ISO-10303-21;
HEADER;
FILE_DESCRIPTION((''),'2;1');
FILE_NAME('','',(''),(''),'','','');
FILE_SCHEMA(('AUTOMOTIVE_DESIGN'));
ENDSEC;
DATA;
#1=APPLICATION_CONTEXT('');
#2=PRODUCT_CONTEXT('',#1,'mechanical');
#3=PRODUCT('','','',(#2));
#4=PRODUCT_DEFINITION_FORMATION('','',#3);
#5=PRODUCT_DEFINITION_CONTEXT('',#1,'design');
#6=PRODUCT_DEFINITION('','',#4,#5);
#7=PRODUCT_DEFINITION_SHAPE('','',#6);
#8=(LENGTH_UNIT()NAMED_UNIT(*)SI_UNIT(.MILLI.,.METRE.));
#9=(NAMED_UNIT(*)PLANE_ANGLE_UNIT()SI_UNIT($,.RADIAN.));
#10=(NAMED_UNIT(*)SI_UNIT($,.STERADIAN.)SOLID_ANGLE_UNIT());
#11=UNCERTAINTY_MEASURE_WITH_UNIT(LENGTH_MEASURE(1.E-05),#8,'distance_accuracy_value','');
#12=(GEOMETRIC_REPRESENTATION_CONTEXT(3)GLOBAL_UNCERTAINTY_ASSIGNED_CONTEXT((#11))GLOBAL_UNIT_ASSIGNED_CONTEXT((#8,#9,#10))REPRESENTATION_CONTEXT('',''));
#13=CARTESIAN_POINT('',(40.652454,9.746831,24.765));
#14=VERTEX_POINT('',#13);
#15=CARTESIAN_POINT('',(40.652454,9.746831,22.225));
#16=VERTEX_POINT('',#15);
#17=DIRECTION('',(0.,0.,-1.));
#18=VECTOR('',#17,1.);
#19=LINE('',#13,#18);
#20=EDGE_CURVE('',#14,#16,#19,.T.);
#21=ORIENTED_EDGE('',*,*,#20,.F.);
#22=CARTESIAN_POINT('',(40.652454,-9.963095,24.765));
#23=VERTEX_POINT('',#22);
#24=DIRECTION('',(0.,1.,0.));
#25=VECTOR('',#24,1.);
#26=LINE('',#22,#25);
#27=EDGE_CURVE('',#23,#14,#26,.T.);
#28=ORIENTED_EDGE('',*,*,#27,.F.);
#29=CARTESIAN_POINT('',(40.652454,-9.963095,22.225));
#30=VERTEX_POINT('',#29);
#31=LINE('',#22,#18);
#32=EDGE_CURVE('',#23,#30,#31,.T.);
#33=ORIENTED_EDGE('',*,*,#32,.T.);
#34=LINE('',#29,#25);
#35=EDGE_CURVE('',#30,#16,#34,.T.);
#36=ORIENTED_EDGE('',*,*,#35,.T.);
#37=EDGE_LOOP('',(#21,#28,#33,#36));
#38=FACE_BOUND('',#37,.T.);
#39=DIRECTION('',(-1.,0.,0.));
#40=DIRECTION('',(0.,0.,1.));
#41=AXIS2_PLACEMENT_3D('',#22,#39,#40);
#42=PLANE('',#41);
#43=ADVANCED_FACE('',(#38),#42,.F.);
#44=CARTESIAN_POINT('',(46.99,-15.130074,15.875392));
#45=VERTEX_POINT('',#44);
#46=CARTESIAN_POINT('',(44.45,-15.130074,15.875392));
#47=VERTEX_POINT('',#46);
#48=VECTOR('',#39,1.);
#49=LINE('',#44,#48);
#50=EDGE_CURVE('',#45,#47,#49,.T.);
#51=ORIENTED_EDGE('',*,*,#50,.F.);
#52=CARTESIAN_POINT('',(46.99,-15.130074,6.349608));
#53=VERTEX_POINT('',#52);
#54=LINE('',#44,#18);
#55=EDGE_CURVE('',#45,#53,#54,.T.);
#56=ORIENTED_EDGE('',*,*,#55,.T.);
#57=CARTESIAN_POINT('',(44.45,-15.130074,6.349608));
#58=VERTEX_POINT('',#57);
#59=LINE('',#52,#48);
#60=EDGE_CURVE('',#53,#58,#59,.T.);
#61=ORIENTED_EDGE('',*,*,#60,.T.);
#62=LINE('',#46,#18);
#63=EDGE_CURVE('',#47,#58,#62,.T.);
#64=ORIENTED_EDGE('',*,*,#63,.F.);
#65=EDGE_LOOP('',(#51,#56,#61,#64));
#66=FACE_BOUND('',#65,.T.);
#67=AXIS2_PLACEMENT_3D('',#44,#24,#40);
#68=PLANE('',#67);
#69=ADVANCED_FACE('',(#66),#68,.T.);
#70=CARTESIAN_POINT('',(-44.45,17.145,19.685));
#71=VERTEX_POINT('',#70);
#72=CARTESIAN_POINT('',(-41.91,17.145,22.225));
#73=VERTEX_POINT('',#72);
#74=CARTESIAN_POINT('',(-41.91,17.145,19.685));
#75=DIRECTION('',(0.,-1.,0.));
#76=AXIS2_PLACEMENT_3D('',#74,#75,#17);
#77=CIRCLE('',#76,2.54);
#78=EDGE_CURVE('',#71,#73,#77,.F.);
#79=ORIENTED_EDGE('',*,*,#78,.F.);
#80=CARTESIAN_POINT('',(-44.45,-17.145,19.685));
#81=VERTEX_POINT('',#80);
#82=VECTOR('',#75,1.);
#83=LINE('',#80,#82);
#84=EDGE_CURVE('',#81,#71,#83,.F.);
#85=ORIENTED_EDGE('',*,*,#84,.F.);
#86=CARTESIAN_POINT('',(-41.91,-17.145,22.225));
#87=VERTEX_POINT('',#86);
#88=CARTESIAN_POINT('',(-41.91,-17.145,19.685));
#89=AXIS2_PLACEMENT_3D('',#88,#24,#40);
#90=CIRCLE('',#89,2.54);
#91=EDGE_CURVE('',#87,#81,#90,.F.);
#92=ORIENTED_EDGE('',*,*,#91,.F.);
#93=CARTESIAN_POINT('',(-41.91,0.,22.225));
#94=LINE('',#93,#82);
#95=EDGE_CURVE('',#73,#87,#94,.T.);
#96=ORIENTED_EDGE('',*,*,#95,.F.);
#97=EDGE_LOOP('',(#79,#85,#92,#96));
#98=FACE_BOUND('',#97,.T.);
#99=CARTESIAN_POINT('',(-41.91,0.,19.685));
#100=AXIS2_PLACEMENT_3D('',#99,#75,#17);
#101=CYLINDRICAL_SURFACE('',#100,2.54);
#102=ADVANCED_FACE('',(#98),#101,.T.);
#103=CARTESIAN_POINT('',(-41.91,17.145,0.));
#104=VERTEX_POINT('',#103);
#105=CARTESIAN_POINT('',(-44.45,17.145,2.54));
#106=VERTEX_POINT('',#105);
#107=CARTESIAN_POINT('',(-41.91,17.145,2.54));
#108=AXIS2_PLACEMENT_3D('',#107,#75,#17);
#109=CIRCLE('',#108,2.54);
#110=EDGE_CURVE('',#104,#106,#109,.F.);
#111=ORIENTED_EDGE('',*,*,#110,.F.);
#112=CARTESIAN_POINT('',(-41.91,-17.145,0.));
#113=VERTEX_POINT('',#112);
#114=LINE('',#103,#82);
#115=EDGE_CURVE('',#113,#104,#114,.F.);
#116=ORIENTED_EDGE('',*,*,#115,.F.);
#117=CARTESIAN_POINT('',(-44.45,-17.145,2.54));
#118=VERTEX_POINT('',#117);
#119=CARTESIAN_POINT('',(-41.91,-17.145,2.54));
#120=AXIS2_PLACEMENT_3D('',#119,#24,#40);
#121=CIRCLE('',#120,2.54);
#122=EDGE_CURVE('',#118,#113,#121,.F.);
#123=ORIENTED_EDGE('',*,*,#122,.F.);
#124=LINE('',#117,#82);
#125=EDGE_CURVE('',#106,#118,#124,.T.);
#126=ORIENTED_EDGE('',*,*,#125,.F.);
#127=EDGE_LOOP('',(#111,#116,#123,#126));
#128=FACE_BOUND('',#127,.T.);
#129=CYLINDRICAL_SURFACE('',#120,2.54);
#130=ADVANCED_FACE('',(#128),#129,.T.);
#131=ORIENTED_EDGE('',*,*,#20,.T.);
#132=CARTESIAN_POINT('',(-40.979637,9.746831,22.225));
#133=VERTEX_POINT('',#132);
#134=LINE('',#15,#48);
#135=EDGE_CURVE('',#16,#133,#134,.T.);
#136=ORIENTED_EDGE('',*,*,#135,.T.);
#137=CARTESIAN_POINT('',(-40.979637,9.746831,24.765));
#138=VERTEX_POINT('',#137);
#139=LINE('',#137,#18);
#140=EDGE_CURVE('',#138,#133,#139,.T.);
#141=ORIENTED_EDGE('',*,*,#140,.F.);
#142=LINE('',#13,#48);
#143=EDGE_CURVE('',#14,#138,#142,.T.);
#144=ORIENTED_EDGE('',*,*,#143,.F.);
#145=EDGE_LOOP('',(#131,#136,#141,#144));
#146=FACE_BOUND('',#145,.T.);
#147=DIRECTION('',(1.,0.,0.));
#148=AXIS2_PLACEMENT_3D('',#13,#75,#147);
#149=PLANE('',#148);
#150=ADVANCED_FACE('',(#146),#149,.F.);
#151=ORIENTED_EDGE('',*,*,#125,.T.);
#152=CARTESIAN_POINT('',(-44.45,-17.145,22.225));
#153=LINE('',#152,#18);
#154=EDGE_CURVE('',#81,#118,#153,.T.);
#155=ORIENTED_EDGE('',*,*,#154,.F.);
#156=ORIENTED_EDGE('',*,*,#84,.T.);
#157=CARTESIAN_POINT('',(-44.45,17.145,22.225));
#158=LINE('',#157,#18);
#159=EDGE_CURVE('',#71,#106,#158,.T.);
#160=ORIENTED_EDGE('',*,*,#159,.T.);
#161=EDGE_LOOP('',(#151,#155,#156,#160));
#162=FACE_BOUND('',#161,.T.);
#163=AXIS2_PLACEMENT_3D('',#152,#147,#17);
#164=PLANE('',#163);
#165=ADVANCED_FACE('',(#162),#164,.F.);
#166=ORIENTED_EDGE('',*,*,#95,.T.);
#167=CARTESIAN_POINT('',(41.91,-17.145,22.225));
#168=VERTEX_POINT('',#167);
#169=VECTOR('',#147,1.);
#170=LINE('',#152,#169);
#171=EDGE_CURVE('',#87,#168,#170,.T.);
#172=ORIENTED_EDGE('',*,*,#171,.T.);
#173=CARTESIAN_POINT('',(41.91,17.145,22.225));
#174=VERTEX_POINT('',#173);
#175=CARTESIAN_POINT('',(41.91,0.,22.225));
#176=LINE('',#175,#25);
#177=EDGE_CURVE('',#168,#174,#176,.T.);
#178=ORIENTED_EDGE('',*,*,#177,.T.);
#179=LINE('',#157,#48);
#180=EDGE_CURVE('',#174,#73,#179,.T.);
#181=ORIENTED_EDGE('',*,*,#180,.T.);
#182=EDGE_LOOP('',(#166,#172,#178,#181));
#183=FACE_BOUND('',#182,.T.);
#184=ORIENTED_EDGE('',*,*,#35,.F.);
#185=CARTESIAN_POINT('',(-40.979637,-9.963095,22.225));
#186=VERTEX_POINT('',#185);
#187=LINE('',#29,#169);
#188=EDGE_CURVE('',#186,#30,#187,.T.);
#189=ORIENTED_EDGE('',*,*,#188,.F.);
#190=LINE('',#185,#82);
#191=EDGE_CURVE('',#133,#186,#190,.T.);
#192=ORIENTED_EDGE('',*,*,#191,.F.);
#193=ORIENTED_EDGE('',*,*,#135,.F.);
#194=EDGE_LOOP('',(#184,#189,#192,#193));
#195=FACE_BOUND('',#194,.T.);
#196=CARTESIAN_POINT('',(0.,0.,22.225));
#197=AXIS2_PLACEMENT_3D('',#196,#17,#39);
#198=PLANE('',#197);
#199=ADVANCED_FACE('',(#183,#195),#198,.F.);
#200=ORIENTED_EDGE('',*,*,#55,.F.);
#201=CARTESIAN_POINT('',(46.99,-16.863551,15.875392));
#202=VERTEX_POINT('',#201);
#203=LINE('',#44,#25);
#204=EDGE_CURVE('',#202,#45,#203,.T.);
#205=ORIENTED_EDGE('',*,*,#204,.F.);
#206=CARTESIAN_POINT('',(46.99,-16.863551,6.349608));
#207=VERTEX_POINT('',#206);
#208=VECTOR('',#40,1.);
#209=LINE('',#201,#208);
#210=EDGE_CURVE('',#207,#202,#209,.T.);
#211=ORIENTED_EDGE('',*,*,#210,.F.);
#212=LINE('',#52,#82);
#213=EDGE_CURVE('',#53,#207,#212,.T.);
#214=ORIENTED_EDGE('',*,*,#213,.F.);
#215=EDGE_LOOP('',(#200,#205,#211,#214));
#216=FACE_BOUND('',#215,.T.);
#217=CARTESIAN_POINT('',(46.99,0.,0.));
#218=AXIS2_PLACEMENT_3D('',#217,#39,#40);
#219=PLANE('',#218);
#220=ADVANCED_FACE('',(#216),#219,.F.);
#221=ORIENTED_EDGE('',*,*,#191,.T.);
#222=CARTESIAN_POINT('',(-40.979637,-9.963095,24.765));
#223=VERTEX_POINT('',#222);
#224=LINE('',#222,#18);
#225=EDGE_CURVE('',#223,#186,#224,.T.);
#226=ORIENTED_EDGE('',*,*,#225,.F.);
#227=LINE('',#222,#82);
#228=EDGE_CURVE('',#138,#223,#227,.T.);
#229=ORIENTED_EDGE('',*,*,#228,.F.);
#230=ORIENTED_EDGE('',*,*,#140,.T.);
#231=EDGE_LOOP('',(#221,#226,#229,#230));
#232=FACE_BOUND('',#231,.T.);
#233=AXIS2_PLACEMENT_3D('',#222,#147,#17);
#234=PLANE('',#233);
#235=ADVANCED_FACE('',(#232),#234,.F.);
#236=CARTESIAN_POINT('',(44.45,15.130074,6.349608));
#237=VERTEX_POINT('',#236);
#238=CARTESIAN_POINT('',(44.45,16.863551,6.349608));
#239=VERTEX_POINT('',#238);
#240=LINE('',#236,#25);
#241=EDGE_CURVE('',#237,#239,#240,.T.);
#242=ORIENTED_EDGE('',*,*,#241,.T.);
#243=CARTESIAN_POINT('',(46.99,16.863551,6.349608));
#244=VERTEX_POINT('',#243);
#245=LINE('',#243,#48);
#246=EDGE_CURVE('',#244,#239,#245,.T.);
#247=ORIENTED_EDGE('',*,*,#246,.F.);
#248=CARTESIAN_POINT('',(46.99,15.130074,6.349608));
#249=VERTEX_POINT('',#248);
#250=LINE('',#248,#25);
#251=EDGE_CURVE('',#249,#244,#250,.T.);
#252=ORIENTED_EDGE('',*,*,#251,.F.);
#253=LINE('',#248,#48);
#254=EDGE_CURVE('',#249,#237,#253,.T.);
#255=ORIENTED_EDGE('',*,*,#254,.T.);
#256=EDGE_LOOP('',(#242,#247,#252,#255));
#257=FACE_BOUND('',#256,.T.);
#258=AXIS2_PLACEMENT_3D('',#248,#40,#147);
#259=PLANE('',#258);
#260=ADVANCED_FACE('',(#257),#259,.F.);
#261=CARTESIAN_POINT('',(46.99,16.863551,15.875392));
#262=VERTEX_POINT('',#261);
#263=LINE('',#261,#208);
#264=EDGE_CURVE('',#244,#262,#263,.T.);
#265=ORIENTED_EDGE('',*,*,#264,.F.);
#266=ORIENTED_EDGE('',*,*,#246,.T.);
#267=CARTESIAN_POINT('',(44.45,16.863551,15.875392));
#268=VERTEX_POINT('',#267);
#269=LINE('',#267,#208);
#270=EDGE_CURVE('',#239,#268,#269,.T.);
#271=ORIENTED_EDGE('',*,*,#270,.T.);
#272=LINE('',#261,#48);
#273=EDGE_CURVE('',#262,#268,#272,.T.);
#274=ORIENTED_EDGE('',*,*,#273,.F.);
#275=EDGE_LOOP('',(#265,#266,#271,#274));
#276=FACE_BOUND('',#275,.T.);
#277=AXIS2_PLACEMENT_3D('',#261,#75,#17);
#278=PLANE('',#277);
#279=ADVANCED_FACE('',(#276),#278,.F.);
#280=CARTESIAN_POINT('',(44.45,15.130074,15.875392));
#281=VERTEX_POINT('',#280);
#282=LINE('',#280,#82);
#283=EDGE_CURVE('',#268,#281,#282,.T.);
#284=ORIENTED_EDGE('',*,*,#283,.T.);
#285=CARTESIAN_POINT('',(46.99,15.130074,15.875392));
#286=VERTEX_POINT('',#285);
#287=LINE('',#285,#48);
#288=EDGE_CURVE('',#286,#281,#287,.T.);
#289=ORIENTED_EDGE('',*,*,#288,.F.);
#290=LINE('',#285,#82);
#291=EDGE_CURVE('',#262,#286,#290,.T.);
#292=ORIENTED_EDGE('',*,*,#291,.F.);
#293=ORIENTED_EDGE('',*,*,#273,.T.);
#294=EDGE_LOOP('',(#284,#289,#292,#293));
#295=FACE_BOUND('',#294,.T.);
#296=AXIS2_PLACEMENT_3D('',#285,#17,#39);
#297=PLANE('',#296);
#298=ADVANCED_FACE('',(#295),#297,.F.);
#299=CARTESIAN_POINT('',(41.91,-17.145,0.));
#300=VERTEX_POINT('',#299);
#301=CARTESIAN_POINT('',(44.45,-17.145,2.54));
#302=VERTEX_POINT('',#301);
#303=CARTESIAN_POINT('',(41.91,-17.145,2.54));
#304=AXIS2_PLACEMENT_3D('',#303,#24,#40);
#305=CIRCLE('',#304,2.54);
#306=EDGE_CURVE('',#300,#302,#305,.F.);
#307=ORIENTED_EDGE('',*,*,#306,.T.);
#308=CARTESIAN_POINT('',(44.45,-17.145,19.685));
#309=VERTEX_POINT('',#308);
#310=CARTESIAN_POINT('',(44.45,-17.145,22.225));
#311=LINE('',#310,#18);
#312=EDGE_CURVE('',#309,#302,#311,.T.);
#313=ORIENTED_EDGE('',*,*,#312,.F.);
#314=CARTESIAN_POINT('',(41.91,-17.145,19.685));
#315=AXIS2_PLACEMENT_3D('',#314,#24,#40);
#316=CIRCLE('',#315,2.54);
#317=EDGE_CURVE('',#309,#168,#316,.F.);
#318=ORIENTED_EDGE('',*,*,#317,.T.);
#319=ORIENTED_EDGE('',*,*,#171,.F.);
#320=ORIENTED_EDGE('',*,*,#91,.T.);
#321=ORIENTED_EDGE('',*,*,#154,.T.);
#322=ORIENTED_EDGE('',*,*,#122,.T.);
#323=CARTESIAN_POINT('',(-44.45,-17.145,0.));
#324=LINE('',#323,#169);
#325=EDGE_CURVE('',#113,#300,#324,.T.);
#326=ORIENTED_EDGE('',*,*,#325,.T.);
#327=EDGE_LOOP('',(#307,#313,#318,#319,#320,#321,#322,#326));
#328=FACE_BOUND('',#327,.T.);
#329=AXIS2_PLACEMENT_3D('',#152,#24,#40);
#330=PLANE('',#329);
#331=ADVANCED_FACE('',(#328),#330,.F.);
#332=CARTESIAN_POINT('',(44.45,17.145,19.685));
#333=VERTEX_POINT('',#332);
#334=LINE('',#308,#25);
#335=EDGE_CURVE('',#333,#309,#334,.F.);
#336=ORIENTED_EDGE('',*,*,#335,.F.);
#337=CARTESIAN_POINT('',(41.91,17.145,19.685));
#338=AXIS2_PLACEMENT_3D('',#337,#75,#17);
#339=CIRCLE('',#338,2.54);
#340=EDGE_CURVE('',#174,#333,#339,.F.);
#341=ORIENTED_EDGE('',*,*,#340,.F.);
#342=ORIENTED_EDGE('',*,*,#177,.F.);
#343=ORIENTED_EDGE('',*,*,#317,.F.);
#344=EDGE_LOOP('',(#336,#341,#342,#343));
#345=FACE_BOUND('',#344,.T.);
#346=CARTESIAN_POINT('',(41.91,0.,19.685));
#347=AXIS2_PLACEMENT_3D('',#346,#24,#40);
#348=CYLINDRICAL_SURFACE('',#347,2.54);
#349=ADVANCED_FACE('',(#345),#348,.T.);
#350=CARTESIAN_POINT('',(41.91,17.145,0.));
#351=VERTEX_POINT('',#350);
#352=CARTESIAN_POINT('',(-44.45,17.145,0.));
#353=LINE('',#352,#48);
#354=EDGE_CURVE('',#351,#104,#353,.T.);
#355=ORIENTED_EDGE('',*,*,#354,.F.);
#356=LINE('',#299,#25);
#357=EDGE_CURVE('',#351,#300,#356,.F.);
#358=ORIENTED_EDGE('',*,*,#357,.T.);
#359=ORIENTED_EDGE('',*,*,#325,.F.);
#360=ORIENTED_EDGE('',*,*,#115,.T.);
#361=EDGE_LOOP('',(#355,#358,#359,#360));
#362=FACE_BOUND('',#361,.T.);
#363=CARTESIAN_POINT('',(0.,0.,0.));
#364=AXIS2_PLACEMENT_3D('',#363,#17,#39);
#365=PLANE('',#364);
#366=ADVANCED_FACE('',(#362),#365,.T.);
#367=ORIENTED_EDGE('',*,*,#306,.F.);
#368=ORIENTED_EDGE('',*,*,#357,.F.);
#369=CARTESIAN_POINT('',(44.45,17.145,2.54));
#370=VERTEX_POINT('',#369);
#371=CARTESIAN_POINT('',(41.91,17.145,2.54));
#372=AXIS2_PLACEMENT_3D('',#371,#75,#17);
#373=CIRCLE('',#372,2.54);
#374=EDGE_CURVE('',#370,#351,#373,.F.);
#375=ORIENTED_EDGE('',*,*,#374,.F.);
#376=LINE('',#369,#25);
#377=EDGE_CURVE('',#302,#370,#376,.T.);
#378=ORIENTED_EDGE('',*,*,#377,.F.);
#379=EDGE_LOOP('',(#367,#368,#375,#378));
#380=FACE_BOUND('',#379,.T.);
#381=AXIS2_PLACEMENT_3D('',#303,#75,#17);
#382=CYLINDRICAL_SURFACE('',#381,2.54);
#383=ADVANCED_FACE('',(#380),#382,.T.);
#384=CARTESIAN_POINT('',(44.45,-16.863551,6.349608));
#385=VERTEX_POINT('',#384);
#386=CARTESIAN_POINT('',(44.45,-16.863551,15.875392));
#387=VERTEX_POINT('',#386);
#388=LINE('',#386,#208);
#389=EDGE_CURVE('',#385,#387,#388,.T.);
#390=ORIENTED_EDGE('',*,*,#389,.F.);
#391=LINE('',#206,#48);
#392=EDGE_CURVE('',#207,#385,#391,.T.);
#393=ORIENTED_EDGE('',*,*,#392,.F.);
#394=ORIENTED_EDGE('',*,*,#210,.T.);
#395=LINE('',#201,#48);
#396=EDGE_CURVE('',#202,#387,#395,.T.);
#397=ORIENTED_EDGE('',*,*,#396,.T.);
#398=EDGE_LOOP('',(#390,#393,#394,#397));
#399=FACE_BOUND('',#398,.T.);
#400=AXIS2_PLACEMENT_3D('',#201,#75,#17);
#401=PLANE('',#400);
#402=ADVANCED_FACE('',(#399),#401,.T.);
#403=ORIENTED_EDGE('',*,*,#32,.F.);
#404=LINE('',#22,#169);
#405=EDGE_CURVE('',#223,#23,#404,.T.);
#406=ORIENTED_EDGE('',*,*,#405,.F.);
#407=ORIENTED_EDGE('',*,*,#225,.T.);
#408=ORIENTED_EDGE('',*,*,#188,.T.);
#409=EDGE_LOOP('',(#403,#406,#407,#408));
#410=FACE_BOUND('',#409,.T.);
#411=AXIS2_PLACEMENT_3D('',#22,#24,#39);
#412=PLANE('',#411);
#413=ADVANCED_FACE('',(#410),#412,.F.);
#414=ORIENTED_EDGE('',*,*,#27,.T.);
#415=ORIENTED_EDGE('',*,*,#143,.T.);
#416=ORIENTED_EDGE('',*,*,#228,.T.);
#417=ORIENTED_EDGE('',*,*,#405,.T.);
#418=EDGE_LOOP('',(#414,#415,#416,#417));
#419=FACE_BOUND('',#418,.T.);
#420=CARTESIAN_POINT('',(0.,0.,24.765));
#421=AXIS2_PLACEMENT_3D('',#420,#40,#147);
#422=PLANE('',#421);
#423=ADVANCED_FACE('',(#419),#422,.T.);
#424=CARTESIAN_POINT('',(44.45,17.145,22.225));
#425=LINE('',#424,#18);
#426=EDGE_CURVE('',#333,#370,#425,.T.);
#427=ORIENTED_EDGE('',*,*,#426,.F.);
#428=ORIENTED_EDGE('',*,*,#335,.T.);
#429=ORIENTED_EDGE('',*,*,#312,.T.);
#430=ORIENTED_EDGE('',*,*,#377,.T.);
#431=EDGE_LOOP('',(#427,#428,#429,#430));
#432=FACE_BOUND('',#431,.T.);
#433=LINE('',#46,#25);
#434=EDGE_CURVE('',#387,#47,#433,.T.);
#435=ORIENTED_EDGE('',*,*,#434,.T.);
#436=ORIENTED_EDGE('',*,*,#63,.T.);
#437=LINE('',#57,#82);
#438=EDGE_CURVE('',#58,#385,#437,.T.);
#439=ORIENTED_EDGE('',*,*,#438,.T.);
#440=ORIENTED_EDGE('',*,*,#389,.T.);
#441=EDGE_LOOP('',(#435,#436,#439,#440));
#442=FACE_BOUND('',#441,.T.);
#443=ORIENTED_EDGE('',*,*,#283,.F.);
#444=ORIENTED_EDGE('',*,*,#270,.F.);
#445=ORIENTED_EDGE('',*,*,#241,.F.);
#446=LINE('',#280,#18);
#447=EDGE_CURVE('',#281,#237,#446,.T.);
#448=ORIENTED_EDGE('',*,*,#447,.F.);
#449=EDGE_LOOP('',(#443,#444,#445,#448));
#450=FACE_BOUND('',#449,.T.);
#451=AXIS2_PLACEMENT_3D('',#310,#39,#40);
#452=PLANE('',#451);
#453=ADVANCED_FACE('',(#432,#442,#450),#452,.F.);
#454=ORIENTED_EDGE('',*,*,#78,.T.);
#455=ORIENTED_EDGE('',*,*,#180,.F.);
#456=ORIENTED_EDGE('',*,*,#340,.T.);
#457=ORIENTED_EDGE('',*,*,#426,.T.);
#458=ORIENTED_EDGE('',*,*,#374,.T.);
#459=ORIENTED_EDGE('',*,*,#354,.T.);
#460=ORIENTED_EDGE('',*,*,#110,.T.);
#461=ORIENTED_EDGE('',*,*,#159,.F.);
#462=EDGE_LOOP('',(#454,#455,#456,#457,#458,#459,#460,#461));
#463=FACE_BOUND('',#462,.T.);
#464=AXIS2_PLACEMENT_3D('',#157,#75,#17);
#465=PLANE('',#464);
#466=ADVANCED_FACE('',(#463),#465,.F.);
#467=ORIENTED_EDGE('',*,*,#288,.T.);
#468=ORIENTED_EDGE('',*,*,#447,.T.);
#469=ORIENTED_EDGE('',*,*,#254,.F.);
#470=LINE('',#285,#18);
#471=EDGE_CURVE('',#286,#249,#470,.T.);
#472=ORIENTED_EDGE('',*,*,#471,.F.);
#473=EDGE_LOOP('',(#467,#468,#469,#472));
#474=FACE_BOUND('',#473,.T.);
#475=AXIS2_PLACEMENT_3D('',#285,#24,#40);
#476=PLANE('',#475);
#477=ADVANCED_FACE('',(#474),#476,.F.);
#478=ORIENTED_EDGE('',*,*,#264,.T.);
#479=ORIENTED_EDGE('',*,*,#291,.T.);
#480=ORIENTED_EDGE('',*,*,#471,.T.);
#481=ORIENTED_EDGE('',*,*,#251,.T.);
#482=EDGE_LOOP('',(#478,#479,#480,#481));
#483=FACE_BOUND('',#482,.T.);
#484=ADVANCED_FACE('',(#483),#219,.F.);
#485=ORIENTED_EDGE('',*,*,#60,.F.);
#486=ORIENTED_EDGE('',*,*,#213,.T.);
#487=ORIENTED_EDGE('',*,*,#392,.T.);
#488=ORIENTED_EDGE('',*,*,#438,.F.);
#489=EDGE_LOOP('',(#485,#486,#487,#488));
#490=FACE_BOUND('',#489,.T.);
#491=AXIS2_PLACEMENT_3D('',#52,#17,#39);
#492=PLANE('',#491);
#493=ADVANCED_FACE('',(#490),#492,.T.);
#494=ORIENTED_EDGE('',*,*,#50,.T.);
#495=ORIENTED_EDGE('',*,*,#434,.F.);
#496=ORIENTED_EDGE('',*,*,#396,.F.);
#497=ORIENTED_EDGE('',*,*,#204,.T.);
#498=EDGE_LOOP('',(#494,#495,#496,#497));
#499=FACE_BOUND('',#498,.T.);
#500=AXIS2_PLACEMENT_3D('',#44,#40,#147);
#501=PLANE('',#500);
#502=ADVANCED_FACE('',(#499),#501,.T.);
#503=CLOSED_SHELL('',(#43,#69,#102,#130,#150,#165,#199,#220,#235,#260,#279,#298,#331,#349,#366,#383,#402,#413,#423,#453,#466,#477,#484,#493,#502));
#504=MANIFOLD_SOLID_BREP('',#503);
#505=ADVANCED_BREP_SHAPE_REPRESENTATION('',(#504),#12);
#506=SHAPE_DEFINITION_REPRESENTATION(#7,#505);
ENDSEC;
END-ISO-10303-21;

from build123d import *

# Parameters (mm, degrees)
SKETCH1_W           = 88.9
SKETCH1_H           = 34.29
BOSS_EXTRUDE1_DEPTH = 22.225
FILLET1_R           = 2.54
SKETCH2_W           = 9.52578488
SKETCH2_H           = 1.733476194
BOSS_EXTRUDE2_DEPTH = 2.54
SKETCH3_W           = 81.632090284
SKETCH3_H           = 19.709925483
BOSS_EXTRUDE3_DEPTH = 2.54


with BuildPart() as part:
    # Sketch1 → Boss-Extrude1 (new body)
    with BuildSketch(Plane.XY):
        Rectangle(SKETCH1_W, SKETCH1_H)
    extrude(amount=BOSS_EXTRUDE1_DEPTH)

    # Fillet1
    fillet1_edges = [part.edges().sort_by_distance(p)[0] for p in [
        (-44.45, 0, 22.225),
        (44.45, 0, 22.225),
        (-44.45, 0, 0),
        (44.45, 0, 0),
    ]]
    fillet(fillet1_edges, radius=FILLET1_R)

    # Sketch2 → Boss-Extrude2 (add)
    with BuildSketch(Plane(origin=(44.45, 0, 0), x_dir=(0, 0, -1), z_dir=(1, 0, 0))):
        with Locations((-11.1125, 15.996812485)):
            Rectangle(SKETCH2_W, SKETCH2_H)
    boss_extrude2 = extrude(amount=BOSS_EXTRUDE2_DEPTH)

    # Mirror1: Boss-Extrude2 across plane
    add(boss_extrude2.mirror(Plane.ZX))

    # Sketch3 → Boss-Extrude3 (add)
    with BuildSketch(Plane.XY.offset(22.225)):
        with Locations((-0.163591475, -0.108131836)):
            Rectangle(SKETCH3_W, SKETCH3_H)
    extrude(amount=BOSS_EXTRUDE3_DEPTH)


solid = part.part
